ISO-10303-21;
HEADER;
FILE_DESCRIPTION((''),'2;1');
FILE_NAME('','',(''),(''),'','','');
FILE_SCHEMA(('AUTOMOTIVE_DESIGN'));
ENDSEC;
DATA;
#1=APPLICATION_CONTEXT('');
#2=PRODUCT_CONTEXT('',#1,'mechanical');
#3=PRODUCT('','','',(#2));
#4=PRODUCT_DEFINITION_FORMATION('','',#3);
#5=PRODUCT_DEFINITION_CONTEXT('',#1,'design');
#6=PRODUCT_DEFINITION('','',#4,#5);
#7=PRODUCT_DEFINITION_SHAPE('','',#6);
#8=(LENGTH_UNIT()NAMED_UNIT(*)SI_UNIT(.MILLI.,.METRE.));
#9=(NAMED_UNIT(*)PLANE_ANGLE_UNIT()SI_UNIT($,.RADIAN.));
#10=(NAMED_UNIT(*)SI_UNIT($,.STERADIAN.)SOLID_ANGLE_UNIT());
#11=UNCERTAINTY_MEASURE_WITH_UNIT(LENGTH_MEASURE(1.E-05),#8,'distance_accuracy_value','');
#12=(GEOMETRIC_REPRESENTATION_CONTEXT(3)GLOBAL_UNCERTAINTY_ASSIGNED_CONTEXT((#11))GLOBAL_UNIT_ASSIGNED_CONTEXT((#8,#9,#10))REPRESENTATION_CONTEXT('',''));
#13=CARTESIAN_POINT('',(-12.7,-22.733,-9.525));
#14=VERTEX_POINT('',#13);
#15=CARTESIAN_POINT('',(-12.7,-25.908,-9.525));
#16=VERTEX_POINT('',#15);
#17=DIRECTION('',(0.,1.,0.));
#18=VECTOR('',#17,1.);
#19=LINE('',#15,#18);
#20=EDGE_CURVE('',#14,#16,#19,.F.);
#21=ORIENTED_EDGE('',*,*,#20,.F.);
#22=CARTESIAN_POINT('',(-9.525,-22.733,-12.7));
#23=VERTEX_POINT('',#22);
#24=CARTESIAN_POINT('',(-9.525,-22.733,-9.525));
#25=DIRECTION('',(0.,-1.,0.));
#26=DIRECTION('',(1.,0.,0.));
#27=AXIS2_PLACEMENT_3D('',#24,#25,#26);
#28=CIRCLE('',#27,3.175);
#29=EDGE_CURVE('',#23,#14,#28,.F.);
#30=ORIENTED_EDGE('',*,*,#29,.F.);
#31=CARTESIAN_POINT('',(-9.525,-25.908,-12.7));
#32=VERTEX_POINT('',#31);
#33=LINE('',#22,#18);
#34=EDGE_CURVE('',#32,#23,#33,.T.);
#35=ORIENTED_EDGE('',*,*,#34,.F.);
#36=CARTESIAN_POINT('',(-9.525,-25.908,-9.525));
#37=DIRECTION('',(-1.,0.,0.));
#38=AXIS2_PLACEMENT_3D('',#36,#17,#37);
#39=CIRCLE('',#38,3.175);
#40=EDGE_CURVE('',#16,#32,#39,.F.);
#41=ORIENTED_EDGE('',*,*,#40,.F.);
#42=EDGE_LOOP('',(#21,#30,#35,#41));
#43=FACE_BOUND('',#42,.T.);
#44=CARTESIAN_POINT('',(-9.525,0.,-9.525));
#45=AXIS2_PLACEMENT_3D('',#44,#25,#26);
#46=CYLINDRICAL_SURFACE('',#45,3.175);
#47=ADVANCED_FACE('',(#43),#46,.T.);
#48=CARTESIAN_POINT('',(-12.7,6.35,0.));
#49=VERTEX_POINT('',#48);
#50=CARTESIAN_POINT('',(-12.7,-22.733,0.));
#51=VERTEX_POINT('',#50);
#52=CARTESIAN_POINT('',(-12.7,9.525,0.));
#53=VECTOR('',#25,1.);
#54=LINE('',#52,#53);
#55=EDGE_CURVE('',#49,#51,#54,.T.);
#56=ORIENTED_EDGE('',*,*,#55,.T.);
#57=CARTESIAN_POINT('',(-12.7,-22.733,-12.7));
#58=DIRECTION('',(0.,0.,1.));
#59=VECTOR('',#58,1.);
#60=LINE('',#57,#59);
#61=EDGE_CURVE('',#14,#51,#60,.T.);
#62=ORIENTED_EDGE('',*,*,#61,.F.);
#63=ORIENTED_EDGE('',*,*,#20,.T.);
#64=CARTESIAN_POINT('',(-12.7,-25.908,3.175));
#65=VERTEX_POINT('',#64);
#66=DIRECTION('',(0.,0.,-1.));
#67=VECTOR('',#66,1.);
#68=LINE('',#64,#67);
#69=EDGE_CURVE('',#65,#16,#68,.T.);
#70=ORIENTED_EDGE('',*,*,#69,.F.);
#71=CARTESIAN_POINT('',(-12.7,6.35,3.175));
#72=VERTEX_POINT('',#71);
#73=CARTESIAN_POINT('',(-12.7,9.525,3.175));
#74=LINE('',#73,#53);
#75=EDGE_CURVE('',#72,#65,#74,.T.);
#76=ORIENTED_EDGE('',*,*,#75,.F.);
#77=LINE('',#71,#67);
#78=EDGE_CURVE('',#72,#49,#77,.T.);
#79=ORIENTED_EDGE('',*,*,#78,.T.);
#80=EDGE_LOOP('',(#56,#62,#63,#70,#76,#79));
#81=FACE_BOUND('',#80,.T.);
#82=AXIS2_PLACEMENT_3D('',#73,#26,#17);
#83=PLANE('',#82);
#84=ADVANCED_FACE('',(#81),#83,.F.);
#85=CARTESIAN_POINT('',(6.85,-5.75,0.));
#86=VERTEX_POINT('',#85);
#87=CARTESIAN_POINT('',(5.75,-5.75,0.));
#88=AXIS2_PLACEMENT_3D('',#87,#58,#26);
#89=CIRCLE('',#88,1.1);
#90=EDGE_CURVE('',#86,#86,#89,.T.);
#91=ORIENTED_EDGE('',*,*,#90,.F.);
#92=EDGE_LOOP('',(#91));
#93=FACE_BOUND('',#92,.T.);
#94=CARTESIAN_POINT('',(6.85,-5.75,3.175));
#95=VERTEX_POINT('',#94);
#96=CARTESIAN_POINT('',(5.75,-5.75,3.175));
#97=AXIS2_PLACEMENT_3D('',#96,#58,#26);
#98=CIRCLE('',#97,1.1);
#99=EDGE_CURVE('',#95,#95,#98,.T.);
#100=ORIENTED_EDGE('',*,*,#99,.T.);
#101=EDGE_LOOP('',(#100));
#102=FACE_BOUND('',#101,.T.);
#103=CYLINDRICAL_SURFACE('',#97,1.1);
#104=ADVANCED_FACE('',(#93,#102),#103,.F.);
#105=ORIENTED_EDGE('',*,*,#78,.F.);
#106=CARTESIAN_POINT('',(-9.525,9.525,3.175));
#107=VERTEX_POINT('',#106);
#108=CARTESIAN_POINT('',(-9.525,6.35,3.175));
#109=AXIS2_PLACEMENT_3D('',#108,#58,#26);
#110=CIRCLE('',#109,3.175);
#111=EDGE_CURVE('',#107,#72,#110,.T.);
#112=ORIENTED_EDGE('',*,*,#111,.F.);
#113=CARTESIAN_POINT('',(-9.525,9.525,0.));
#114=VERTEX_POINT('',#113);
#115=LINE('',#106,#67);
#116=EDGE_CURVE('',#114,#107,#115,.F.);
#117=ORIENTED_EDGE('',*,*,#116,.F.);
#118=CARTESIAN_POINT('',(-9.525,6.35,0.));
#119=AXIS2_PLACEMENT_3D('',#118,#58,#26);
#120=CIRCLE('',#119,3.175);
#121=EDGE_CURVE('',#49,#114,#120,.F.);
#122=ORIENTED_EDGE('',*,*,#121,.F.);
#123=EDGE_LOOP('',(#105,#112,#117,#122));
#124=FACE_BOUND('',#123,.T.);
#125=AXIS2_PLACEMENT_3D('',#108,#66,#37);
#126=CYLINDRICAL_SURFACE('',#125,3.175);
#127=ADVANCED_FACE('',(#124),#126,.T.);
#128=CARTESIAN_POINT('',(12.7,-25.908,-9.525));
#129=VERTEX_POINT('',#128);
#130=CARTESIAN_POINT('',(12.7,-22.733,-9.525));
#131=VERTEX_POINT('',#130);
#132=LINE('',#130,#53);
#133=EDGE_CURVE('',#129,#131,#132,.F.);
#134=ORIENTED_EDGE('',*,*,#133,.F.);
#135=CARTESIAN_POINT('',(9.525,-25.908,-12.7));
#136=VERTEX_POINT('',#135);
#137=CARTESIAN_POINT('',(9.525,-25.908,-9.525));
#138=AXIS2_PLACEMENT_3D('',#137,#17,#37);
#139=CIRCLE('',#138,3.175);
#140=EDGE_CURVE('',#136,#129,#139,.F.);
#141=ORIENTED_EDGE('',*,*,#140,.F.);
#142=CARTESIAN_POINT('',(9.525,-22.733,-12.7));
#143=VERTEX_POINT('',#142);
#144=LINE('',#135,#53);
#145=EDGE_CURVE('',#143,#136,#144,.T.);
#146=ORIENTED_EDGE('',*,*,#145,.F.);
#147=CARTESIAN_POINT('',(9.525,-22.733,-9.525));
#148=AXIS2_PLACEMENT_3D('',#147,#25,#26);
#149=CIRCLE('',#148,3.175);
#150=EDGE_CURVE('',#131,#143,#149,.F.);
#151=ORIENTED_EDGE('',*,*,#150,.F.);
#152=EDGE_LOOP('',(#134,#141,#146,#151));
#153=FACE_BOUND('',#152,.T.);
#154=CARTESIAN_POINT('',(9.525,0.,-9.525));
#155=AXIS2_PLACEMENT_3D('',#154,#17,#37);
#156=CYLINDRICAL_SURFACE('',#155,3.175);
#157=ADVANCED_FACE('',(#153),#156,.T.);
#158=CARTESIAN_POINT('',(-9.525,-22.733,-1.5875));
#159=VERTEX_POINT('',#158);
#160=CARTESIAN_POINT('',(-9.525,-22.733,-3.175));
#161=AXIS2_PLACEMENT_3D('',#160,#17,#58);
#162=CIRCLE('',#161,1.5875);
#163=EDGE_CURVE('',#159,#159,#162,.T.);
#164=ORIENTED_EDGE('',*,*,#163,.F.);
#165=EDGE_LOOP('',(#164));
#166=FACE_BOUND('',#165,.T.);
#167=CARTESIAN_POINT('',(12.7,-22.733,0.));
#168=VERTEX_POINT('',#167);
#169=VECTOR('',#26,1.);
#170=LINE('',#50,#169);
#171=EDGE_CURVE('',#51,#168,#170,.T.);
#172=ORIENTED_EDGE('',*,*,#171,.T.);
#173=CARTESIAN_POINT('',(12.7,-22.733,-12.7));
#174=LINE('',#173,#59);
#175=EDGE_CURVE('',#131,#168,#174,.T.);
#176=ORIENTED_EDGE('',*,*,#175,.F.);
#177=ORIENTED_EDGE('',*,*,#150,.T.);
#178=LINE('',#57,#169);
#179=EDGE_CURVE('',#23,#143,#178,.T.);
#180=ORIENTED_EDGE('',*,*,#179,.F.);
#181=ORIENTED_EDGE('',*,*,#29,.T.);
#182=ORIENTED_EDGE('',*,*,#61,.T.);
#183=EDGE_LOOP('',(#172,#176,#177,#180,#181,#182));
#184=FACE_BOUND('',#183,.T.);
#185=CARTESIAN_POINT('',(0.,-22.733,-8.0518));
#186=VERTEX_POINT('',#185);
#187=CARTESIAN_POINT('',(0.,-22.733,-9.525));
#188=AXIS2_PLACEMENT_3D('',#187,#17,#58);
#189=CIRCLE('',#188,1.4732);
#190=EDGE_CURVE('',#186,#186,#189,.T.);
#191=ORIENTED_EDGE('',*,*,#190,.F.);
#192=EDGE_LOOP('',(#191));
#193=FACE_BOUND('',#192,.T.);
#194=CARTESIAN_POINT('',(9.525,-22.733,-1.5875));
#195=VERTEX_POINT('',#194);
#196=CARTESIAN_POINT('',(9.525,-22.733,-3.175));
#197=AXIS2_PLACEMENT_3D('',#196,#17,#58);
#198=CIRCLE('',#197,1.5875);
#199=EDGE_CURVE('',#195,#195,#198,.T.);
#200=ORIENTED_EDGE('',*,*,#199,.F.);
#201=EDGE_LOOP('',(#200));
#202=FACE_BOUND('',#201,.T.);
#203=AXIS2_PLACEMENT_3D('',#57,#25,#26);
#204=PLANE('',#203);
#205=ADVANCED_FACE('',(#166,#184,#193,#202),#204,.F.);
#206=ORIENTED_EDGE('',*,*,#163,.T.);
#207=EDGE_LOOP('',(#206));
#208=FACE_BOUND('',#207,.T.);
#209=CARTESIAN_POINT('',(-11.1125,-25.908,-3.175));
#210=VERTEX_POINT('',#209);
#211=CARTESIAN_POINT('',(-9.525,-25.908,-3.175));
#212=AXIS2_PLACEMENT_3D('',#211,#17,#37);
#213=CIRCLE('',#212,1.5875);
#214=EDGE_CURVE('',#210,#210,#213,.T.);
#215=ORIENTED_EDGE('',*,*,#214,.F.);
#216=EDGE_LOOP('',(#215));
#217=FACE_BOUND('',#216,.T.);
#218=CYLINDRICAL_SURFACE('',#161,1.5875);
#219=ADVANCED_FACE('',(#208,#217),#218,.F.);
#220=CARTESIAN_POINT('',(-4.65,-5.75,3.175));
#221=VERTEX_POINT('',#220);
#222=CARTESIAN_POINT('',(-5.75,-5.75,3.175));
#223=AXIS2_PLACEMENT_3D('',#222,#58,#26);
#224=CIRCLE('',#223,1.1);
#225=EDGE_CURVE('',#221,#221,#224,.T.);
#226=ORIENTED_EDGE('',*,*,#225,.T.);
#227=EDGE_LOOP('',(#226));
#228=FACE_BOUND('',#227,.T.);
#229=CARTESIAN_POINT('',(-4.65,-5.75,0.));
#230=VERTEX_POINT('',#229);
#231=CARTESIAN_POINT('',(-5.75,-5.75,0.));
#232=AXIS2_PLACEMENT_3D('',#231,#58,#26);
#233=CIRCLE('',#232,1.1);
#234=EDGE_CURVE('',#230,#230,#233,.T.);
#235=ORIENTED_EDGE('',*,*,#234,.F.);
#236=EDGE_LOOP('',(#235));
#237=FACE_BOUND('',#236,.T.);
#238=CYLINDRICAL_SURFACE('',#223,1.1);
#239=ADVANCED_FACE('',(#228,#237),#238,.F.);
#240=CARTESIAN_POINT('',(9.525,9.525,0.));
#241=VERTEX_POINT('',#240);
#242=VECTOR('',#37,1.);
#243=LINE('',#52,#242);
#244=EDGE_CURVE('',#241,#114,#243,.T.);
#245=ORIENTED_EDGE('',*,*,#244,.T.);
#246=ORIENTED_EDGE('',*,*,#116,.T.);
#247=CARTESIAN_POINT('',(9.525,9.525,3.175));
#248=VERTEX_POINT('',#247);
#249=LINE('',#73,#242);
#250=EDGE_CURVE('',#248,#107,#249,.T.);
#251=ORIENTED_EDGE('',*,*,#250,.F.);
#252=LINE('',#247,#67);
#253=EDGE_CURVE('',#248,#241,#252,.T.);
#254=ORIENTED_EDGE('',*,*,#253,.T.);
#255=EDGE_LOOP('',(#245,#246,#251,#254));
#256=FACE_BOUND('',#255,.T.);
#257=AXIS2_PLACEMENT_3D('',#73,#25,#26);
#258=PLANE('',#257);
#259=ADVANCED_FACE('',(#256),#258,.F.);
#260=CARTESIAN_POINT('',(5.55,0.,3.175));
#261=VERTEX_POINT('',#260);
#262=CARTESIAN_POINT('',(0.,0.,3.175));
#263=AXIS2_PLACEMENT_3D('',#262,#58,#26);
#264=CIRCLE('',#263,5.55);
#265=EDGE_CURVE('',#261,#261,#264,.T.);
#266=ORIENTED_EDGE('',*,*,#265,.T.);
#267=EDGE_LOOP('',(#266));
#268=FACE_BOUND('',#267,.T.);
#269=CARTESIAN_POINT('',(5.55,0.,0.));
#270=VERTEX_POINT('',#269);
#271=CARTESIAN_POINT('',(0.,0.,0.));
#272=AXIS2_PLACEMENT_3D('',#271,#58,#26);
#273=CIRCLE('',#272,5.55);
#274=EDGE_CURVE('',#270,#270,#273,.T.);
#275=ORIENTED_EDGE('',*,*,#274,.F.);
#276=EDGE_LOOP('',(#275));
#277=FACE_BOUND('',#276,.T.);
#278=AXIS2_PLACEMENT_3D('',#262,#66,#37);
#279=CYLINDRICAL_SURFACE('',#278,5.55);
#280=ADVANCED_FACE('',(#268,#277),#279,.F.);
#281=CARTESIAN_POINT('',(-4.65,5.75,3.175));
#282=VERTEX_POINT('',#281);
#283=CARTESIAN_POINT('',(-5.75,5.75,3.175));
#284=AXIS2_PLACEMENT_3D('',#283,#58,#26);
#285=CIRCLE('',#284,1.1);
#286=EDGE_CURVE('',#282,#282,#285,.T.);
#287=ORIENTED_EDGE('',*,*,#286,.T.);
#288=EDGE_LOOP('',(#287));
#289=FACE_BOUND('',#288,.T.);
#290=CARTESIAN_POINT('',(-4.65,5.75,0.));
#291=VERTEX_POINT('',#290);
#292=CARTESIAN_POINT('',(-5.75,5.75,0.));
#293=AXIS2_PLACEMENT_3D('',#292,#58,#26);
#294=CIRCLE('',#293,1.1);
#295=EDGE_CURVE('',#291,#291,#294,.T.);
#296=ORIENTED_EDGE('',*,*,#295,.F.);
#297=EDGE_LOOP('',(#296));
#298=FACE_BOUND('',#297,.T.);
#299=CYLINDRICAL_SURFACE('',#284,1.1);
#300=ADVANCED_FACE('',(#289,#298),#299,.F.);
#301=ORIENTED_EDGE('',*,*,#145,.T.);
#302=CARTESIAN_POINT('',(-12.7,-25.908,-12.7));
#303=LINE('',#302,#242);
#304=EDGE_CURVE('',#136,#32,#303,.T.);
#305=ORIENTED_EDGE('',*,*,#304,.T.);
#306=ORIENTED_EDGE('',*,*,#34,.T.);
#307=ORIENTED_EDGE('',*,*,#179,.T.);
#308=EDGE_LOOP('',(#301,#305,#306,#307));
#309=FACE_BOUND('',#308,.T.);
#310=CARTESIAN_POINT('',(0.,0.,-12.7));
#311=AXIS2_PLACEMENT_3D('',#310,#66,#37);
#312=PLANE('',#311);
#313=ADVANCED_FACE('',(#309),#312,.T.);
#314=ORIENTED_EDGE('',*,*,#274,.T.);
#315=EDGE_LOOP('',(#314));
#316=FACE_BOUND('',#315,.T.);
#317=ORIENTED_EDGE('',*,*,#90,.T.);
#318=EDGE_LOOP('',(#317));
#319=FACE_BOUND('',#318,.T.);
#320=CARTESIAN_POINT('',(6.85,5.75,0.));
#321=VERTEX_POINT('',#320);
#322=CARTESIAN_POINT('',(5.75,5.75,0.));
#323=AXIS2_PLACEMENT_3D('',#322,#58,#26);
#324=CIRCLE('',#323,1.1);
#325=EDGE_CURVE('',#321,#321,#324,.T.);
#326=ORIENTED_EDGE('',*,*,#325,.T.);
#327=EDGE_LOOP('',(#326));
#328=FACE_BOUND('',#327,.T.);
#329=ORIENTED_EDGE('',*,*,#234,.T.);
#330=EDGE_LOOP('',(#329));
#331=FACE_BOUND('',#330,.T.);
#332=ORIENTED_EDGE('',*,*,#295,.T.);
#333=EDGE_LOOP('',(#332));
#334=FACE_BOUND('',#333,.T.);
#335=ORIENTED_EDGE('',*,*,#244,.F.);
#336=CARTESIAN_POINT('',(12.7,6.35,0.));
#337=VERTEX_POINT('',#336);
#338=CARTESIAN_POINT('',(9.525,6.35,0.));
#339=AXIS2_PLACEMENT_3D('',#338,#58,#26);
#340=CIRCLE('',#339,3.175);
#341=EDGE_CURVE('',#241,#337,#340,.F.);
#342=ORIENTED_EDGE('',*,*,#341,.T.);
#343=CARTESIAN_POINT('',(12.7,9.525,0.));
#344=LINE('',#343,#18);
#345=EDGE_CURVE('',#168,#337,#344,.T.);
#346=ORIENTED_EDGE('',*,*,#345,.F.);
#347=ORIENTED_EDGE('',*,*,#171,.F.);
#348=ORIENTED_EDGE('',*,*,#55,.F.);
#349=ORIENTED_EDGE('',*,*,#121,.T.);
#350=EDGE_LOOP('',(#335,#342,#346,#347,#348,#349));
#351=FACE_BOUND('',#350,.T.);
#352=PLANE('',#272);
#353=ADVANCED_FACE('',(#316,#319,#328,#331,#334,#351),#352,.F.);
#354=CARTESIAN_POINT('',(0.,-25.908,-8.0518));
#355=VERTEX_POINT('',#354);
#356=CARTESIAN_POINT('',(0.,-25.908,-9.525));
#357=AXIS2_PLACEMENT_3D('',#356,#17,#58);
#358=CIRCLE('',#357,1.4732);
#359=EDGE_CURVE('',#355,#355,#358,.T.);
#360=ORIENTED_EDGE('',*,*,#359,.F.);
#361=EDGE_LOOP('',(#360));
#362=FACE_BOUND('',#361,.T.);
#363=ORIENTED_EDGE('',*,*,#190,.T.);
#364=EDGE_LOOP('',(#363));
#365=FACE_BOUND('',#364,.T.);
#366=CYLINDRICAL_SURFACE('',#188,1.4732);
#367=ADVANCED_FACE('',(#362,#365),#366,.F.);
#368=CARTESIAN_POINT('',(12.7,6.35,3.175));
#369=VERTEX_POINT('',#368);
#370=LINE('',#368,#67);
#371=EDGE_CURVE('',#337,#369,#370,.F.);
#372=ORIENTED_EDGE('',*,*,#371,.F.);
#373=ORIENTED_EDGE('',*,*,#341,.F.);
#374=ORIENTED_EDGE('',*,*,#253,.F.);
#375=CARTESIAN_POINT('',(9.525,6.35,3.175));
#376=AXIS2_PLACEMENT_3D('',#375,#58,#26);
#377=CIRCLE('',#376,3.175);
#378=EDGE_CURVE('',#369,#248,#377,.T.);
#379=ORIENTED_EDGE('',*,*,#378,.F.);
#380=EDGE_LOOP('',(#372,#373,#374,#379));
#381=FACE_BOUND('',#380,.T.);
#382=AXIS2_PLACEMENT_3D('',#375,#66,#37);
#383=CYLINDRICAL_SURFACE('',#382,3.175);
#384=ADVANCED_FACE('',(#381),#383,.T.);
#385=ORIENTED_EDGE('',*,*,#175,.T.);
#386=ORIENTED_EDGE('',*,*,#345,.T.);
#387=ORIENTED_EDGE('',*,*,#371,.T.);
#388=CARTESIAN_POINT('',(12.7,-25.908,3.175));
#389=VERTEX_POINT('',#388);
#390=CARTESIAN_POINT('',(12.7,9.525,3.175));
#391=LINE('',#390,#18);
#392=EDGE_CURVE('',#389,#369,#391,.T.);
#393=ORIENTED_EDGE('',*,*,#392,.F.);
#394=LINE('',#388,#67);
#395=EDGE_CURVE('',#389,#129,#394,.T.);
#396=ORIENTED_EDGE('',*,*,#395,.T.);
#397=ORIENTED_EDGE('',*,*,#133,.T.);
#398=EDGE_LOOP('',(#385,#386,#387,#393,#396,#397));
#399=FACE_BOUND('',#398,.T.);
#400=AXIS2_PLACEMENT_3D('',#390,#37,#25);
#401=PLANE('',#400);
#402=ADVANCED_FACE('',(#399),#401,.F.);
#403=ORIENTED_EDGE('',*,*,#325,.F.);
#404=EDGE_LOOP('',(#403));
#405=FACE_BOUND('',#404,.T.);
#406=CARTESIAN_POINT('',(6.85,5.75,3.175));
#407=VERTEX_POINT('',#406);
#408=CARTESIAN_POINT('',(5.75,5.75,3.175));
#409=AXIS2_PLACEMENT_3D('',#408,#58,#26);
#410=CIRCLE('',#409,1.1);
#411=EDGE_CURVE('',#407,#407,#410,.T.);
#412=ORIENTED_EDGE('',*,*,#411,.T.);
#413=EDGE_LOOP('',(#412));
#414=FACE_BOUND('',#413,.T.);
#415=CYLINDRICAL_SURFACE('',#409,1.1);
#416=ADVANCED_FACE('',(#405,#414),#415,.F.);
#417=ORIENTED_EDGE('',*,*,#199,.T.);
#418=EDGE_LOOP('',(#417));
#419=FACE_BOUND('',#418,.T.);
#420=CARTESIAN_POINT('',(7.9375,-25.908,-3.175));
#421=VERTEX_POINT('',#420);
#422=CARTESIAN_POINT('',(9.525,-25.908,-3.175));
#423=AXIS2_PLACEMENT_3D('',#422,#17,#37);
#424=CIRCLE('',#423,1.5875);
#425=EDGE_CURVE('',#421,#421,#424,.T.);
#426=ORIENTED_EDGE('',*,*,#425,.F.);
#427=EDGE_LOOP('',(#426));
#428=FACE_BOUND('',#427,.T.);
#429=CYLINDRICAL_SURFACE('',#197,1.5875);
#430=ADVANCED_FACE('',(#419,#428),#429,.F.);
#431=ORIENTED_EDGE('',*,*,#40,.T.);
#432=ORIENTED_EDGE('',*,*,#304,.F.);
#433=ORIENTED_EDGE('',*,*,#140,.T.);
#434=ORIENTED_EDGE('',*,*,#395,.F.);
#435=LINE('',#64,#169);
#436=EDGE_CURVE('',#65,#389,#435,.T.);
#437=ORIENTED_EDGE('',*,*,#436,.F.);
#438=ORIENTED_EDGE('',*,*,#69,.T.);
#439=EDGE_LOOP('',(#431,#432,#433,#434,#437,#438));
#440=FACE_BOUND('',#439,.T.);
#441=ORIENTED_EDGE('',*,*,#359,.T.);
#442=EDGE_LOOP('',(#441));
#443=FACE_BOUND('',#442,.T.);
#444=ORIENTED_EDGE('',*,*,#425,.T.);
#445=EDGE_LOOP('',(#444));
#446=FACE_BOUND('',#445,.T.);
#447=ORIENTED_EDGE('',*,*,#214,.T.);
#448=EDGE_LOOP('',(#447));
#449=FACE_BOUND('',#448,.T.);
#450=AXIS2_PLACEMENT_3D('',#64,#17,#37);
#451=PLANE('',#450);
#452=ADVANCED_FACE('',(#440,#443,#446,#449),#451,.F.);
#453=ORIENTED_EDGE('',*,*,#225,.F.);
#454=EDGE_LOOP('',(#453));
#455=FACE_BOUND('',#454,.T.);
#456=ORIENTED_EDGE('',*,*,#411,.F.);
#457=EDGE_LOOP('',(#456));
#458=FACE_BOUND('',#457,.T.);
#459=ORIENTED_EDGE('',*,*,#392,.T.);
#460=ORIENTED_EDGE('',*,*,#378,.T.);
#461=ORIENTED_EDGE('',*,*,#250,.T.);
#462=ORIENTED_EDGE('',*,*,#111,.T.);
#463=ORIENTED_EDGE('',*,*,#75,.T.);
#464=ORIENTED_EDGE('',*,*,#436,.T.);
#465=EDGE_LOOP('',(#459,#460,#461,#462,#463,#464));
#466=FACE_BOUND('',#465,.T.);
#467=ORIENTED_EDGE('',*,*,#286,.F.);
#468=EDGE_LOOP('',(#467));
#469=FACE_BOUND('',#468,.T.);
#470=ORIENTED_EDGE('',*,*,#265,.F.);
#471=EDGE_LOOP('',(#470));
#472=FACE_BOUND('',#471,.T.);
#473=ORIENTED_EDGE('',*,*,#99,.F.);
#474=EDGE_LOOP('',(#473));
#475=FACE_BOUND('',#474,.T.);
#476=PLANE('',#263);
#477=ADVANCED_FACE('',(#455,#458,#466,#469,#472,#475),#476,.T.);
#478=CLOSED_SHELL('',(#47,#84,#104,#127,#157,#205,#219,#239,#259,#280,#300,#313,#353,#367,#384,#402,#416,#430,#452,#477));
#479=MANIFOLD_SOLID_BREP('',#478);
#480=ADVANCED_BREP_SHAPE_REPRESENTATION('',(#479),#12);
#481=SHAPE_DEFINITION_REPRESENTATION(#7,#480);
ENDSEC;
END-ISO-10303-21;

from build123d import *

# Parameters (mm, degrees)
SKETCH1_W                      = 25.4
SKETCH1_H                      = 35.433
SKETCH1_R                      = 5.55
BOSS_EXTRUDE1_DEPTH            = 3.175
SKETCH3_W                      = 25.4
SKETCH3_H                      = 3.175
BOSS_EXTRUDE2_DEPTH            = 12.7
FILLET1_R                      = 3.175
M2_CLEARANCE_HOLE1_D           = 2.2
F_4_CLEARANCE_HOLE1_D          = 2.9464
F_1_8_0_1250_DOWEL_HOLE1_D     = 3.175
F_1_8_0_1250_DOWEL_HOLE1_DEPTH = 4.064
F_1_8_0_1250_DOWEL_HOLE1_TIP   = 0.953866233


with BuildPart() as part:
    # Sketch1 → Boss-Extrude1 (new body)
    with BuildSketch(Plane.XY):
        with Locations((0, -8.1915)):
            Rectangle(SKETCH1_W, SKETCH1_H)
        Circle(SKETCH1_R, mode=Mode.SUBTRACT)
    extrude(amount=BOSS_EXTRUDE1_DEPTH)

    # Sketch3 → Boss-Extrude2 (add)
    with BuildSketch(Plane(origin=(0, 0, 0), x_dir=(-1, 0, 0), z_dir=(0, 0, -1))):
        with Locations((0, -24.3205)):
            Rectangle(SKETCH3_W, SKETCH3_H)
    extrude(amount=BOSS_EXTRUDE2_DEPTH)

    # Fillet1
    fillet1_edges = [part.edges().sort_by_distance(p)[0] for p in [
        (-12.7, -24.3205, -12.7),
        (12.7, -24.3205, -12.7),
        (-12.7, 9.525, 1.5875),
        (12.7, 9.525, 1.5875),
    ]]
    fillet(fillet1_edges, radius=FILLET1_R)

    # M2 Clearance Hole1 (through all)
    with Locations(Plane(origin=(0, -25.908, 3.175), x_dir=(1, 0, 0), z_dir=(0, 0, 1))):
        with Locations((5.75, 31.658), (-5.75, 31.658), (5.75, 20.158), (-5.75, 20.158)):
            Hole(M2_CLEARANCE_HOLE1_D / 2)

    # #4 Clearance Hole1 (through all)
    with Locations(Plane(origin=(0, -22.733, 0), x_dir=(1, 0, 0), z_dir=(0, 1, 0))):
        with Locations((0, 9.525)):
            Hole(F_4_CLEARANCE_HOLE1_D / 2)

    # 1/8 (0.1250) Dowel Hole1
    with Locations(Plane(origin=(0, -22.733, 0), x_dir=(1, 0, 0), z_dir=(0, 1, 0))):
        with Locations((9.525, 3.175), (-9.525, 3.175)):
            Hole(F_1_8_0_1250_DOWEL_HOLE1_D / 2, depth=F_1_8_0_1250_DOWEL_HOLE1_DEPTH)
            with Locations((0, 0, -(F_1_8_0_1250_DOWEL_HOLE1_DEPTH + F_1_8_0_1250_DOWEL_HOLE1_TIP / 2))):  # 118° drill point
                Cone(0, F_1_8_0_1250_DOWEL_HOLE1_D / 2, F_1_8_0_1250_DOWEL_HOLE1_TIP, mode=Mode.SUBTRACT)


solid = part.part
